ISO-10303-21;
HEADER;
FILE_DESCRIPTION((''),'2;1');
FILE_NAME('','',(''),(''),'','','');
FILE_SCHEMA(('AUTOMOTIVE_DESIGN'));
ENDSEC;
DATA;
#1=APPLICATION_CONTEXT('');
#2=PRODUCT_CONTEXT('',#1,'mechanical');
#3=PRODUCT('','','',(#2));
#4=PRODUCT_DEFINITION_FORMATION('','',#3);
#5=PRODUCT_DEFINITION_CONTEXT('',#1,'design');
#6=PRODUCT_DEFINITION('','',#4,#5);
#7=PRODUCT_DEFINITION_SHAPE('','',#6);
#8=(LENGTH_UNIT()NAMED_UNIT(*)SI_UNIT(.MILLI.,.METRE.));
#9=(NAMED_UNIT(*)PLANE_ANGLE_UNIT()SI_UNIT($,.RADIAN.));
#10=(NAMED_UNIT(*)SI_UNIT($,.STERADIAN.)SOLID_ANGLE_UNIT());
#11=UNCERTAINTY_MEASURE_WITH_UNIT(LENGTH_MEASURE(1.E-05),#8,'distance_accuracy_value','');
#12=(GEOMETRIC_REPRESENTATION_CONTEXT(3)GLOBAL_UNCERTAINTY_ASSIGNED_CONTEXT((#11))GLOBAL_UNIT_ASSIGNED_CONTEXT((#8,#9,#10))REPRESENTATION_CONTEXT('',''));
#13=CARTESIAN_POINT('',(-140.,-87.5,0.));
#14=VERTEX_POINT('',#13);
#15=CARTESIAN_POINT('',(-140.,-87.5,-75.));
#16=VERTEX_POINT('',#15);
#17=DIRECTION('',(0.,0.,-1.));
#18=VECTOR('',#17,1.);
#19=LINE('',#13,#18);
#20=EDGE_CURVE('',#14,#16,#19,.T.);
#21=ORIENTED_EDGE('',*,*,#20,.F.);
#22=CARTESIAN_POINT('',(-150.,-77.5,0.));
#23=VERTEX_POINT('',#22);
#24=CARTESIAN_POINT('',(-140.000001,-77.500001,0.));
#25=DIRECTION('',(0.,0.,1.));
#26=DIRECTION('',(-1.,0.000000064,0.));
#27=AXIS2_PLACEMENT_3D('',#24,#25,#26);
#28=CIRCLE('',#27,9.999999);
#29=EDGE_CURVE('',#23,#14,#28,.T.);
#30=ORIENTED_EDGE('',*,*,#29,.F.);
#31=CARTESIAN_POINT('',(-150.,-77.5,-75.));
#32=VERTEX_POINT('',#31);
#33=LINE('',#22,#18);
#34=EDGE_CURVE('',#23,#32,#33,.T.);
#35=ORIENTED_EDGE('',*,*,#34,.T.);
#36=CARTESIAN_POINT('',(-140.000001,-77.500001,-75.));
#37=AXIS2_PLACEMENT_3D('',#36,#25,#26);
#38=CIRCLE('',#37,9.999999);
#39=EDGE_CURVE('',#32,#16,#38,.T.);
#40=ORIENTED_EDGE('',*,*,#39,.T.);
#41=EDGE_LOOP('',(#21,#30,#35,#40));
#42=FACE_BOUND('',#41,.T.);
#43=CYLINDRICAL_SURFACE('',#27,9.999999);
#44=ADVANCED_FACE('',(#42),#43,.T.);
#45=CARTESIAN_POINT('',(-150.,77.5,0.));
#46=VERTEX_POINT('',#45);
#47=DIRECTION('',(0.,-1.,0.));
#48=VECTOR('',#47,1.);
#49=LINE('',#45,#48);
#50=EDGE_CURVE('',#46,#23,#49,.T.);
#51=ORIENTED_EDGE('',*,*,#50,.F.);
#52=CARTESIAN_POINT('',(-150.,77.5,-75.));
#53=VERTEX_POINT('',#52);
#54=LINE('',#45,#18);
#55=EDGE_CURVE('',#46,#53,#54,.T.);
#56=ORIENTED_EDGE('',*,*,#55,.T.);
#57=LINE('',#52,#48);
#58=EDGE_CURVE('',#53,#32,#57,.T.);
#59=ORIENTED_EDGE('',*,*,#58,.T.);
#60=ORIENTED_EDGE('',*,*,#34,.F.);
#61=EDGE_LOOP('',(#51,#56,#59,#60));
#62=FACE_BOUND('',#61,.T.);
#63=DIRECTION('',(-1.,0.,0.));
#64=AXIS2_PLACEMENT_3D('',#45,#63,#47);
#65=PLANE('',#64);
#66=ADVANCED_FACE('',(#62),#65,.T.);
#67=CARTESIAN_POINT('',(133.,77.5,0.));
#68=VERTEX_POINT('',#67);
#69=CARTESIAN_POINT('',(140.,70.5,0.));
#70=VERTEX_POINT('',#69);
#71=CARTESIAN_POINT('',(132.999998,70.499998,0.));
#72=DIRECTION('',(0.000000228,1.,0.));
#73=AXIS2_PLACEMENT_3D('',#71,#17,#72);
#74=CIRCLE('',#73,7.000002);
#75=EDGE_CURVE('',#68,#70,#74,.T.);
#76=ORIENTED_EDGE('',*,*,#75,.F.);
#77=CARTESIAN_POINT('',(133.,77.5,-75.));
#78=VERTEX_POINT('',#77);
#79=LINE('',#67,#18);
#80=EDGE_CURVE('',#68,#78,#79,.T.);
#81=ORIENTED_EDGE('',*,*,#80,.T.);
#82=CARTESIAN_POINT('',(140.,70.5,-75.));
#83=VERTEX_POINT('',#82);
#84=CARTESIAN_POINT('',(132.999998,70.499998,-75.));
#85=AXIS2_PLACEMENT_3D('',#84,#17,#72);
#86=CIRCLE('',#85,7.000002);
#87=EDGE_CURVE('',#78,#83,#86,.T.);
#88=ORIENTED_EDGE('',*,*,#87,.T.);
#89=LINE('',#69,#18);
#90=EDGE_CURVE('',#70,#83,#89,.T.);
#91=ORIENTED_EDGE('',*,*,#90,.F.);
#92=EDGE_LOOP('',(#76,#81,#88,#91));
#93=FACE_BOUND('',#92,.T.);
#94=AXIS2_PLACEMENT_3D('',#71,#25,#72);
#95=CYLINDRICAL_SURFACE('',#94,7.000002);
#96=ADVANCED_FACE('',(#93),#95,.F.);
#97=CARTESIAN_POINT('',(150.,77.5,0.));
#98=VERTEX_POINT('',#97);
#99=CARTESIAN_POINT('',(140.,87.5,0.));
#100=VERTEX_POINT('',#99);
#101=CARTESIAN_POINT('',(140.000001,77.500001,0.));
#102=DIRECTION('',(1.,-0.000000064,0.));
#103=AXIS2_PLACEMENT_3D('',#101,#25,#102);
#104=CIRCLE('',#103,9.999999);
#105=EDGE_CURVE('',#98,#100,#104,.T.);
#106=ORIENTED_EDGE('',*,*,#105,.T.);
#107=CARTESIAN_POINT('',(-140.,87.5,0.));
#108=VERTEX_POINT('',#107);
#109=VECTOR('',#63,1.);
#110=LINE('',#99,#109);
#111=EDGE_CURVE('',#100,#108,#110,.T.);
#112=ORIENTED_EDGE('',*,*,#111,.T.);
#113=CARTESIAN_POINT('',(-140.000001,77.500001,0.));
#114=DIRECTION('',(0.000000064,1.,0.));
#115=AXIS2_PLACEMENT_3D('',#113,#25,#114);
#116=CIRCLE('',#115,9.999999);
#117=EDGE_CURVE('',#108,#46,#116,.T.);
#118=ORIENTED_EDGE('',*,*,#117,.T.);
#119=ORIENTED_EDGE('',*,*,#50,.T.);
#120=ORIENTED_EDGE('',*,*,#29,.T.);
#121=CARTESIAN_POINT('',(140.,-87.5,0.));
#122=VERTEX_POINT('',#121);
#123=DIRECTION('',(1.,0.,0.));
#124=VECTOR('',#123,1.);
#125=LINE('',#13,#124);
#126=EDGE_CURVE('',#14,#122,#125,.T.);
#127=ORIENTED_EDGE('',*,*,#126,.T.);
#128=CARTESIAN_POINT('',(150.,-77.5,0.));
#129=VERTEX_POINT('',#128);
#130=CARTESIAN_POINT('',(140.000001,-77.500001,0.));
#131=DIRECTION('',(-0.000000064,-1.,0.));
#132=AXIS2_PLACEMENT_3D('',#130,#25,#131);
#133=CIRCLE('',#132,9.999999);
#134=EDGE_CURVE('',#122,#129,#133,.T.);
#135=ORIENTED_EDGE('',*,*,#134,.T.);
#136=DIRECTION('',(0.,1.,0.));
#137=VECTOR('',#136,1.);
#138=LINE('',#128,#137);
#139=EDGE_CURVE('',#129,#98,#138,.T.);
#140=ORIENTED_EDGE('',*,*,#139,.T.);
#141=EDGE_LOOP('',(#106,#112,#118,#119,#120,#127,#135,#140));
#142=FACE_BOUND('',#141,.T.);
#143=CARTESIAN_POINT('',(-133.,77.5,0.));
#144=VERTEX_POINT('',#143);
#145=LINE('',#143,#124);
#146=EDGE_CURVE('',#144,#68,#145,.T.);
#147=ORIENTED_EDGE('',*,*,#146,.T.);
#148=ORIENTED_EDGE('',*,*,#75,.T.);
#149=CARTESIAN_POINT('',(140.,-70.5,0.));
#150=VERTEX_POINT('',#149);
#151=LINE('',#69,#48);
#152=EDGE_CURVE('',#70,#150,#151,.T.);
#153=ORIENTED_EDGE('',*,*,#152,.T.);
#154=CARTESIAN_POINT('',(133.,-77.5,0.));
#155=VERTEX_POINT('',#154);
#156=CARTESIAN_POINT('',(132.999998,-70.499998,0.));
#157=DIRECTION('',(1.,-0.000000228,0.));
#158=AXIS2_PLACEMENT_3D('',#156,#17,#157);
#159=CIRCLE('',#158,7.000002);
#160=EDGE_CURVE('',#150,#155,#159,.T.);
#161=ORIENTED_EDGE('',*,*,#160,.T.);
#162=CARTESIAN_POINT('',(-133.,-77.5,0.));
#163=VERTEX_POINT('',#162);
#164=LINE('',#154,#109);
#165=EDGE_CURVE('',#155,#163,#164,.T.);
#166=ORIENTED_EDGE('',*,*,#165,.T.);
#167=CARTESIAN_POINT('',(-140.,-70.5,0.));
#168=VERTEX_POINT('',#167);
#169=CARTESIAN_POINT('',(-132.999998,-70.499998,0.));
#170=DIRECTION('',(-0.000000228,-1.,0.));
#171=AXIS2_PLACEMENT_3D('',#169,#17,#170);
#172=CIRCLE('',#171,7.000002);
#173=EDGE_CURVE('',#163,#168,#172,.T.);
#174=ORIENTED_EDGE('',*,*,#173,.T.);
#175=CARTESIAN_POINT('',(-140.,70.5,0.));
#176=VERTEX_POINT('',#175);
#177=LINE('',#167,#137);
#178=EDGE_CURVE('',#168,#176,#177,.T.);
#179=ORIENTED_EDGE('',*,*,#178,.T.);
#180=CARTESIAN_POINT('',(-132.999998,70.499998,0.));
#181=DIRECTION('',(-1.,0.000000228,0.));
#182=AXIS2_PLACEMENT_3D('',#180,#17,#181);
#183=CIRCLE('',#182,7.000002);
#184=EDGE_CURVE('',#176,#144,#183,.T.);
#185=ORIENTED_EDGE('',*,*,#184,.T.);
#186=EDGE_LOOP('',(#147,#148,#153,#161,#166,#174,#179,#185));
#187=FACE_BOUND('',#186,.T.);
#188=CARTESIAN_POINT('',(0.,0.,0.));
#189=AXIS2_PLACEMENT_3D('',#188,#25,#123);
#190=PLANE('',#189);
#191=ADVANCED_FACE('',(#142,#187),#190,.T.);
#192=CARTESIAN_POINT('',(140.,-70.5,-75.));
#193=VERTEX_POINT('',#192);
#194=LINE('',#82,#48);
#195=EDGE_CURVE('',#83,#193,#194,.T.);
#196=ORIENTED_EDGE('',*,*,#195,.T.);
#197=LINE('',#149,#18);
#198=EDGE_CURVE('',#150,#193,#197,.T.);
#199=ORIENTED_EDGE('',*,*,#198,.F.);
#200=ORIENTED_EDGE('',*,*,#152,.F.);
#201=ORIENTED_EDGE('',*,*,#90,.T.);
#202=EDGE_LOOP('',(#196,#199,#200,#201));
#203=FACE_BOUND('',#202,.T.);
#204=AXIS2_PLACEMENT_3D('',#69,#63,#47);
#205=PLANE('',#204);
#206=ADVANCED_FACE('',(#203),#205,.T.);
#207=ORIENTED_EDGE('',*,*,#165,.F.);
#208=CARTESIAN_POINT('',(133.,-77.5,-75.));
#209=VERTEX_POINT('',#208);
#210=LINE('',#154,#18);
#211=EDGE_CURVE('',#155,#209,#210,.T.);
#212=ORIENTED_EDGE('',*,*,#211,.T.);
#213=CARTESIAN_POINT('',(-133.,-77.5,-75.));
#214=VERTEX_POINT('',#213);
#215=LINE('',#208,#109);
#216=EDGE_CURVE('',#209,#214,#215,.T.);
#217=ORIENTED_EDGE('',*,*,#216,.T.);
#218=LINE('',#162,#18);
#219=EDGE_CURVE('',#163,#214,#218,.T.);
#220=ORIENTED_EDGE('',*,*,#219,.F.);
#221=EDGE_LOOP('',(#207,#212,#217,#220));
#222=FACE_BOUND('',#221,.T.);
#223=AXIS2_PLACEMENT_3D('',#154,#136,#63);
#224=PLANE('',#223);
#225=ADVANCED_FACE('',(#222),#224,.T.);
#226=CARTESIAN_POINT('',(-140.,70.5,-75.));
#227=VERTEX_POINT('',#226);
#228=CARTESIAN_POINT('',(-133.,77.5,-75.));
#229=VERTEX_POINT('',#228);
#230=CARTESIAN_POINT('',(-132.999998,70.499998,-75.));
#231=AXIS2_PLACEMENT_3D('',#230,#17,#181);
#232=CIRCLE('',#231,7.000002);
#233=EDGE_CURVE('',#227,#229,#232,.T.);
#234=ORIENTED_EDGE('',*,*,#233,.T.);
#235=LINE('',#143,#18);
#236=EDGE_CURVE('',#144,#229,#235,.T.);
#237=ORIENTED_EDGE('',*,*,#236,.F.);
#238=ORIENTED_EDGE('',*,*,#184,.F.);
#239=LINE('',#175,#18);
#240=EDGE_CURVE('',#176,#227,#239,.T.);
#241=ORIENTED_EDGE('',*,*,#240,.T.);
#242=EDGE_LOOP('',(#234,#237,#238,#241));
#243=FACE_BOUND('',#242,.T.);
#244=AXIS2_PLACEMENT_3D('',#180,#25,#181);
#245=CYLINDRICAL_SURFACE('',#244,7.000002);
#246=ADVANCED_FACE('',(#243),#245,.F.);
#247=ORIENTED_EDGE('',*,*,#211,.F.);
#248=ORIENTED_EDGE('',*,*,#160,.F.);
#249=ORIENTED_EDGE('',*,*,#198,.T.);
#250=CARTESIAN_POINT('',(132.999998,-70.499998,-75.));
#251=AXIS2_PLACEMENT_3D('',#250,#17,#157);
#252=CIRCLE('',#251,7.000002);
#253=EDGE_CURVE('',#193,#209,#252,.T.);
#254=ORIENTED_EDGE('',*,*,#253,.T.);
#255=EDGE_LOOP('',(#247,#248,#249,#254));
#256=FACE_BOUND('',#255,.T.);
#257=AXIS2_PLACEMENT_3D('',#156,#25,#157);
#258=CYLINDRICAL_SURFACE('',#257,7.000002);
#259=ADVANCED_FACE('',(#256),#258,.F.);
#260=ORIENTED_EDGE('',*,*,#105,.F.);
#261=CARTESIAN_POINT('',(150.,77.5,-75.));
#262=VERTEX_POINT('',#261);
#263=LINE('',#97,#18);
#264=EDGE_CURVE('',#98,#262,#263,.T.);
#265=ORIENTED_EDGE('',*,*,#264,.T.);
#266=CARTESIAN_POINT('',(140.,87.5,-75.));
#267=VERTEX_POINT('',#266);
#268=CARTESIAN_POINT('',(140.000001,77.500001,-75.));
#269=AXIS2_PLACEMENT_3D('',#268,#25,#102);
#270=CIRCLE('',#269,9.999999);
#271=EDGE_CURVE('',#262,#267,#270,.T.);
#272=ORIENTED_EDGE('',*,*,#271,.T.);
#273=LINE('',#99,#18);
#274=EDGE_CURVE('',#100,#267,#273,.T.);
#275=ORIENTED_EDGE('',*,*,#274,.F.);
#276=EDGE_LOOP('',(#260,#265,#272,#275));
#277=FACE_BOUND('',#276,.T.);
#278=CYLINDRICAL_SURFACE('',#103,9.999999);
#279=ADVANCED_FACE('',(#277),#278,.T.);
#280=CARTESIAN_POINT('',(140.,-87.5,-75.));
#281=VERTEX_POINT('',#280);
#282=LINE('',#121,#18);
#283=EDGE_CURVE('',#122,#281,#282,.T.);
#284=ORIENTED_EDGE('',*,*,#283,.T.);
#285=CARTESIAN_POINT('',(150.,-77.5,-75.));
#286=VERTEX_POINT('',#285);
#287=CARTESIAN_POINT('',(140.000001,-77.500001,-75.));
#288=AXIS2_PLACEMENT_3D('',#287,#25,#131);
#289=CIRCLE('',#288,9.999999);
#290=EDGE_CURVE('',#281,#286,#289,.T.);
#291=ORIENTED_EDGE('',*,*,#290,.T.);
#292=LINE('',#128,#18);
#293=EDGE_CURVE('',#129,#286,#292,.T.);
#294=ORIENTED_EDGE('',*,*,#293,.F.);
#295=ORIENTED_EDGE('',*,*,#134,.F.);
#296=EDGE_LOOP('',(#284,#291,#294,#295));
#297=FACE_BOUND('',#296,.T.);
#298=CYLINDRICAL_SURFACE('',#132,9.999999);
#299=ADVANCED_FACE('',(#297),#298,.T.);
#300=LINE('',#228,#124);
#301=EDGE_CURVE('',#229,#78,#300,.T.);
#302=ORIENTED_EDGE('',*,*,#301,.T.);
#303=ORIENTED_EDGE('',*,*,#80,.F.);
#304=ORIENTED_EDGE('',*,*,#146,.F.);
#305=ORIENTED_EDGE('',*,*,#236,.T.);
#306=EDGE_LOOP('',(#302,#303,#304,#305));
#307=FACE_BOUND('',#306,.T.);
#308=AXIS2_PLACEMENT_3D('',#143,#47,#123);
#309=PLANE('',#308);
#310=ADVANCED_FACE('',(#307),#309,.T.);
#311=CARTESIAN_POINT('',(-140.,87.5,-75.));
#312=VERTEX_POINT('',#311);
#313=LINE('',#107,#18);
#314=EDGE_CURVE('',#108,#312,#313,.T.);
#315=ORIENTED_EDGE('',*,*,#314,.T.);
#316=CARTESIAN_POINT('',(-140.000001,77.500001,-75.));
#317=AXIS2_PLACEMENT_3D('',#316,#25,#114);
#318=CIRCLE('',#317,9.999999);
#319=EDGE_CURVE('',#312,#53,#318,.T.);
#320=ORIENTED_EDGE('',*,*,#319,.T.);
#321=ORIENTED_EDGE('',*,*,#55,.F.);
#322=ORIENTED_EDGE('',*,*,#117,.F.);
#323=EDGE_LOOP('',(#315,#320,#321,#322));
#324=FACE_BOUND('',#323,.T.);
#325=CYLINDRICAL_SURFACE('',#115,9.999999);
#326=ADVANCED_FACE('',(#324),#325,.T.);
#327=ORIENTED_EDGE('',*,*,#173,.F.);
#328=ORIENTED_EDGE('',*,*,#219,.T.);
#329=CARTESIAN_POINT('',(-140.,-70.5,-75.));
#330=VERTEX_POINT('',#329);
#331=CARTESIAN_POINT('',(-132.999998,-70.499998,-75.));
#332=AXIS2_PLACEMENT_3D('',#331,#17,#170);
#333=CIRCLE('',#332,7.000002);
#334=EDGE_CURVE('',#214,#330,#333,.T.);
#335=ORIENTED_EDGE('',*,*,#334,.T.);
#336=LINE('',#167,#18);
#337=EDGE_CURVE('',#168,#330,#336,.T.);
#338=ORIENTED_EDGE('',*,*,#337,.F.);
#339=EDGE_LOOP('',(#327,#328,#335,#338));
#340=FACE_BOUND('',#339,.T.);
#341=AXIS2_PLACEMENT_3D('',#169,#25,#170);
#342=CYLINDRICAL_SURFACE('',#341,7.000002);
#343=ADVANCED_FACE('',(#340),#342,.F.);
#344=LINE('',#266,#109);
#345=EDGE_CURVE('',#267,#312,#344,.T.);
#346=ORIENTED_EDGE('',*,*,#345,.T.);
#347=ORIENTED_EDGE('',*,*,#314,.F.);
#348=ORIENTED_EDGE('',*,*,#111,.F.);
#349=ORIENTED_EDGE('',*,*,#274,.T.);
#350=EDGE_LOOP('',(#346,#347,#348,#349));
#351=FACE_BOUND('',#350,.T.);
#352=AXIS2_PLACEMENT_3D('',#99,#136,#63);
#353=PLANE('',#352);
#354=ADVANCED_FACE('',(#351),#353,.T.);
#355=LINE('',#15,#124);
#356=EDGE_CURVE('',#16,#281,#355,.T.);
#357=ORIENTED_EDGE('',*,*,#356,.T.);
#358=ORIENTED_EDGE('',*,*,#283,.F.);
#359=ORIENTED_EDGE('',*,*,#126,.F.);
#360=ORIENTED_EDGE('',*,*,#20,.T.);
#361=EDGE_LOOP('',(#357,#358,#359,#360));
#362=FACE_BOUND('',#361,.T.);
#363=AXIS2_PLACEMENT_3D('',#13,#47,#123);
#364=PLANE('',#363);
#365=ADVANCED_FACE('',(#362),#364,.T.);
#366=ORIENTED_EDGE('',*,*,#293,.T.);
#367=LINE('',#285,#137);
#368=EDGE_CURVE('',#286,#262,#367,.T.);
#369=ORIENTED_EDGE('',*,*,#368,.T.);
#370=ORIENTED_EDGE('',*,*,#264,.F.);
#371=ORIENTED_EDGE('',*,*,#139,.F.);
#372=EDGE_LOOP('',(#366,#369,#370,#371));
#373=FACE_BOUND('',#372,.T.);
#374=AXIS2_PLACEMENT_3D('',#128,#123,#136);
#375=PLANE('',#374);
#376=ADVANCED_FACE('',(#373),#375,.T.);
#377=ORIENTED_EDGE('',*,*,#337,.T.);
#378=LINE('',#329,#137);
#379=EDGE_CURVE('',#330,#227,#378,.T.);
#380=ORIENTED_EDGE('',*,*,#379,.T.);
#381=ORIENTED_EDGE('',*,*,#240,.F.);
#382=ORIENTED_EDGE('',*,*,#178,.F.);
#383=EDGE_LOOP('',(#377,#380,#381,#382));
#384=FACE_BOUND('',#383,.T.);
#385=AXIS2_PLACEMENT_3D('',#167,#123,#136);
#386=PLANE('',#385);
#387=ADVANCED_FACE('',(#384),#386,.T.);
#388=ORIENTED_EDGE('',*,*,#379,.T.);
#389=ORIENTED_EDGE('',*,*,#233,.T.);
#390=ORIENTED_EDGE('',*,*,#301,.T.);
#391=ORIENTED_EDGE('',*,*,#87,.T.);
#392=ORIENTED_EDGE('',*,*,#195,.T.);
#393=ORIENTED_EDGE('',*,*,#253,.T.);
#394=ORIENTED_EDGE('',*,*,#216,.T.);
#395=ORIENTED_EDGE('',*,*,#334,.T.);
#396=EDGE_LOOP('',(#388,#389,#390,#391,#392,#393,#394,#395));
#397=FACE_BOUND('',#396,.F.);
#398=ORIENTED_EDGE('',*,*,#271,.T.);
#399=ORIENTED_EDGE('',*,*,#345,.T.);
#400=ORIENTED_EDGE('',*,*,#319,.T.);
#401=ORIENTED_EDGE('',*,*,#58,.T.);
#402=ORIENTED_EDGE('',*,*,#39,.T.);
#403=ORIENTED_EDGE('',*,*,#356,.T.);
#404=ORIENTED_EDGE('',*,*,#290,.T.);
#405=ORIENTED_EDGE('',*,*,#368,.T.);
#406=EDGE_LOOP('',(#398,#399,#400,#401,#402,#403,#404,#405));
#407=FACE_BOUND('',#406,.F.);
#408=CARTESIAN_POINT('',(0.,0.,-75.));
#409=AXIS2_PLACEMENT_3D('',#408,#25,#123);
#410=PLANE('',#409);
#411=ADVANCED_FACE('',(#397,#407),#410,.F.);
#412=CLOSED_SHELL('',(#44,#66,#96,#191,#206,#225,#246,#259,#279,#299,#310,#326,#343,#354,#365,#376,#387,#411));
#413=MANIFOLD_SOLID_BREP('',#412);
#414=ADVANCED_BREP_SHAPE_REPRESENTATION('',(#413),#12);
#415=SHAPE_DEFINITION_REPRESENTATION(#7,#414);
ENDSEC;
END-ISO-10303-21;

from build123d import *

# Parameters (mm, degrees)
F1_DEPTH = 75


with BuildPart() as f1:
    # F0 (on Top) → F1 (new body)
    with BuildSketch(Plane.XY):
        with BuildLine():
            Line((140, 87.5), (-140, 87.5))
            ThreePointArc((-140, 87.5), (-147.071068, 84.571068), (-150, 77.5))
            Line((-150, 77.5), (-150, -77.5))
            ThreePointArc((-150, -77.5), (-147.071068, -84.571068), (-140, -87.5))
            Line((-140, -87.5), (140, -87.5))
            ThreePointArc((140, -87.5), (147.071068, -84.571068), (150, -77.5))
            Line((150, -77.5), (150, 77.5))
            ThreePointArc((150, 77.5), (147.071068, 84.571068), (140, 87.5))
        make_face()
        with BuildLine():
            ThreePointArc((-140, 70.5), (-137.949747, 75.449747), (-133, 77.5))
            Line((-133, 77.5), (133, 77.5))
            ThreePointArc((133, 77.5), (137.949747, 75.449747), (140, 70.5))
            Line((140, 70.5), (140, -70.5))
            ThreePointArc((140, -70.5), (137.949747, -75.449747), (133, -77.5))
            Line((133, -77.5), (-133, -77.5))
            ThreePointArc((-133, -77.5), (-137.949747, -75.449747), (-140, -70.5))
            Line((-140, -70.5), (-140, 70.5))
        make_face(mode=Mode.SUBTRACT)
    extrude(amount=-F1_DEPTH)


solid = f1.part
